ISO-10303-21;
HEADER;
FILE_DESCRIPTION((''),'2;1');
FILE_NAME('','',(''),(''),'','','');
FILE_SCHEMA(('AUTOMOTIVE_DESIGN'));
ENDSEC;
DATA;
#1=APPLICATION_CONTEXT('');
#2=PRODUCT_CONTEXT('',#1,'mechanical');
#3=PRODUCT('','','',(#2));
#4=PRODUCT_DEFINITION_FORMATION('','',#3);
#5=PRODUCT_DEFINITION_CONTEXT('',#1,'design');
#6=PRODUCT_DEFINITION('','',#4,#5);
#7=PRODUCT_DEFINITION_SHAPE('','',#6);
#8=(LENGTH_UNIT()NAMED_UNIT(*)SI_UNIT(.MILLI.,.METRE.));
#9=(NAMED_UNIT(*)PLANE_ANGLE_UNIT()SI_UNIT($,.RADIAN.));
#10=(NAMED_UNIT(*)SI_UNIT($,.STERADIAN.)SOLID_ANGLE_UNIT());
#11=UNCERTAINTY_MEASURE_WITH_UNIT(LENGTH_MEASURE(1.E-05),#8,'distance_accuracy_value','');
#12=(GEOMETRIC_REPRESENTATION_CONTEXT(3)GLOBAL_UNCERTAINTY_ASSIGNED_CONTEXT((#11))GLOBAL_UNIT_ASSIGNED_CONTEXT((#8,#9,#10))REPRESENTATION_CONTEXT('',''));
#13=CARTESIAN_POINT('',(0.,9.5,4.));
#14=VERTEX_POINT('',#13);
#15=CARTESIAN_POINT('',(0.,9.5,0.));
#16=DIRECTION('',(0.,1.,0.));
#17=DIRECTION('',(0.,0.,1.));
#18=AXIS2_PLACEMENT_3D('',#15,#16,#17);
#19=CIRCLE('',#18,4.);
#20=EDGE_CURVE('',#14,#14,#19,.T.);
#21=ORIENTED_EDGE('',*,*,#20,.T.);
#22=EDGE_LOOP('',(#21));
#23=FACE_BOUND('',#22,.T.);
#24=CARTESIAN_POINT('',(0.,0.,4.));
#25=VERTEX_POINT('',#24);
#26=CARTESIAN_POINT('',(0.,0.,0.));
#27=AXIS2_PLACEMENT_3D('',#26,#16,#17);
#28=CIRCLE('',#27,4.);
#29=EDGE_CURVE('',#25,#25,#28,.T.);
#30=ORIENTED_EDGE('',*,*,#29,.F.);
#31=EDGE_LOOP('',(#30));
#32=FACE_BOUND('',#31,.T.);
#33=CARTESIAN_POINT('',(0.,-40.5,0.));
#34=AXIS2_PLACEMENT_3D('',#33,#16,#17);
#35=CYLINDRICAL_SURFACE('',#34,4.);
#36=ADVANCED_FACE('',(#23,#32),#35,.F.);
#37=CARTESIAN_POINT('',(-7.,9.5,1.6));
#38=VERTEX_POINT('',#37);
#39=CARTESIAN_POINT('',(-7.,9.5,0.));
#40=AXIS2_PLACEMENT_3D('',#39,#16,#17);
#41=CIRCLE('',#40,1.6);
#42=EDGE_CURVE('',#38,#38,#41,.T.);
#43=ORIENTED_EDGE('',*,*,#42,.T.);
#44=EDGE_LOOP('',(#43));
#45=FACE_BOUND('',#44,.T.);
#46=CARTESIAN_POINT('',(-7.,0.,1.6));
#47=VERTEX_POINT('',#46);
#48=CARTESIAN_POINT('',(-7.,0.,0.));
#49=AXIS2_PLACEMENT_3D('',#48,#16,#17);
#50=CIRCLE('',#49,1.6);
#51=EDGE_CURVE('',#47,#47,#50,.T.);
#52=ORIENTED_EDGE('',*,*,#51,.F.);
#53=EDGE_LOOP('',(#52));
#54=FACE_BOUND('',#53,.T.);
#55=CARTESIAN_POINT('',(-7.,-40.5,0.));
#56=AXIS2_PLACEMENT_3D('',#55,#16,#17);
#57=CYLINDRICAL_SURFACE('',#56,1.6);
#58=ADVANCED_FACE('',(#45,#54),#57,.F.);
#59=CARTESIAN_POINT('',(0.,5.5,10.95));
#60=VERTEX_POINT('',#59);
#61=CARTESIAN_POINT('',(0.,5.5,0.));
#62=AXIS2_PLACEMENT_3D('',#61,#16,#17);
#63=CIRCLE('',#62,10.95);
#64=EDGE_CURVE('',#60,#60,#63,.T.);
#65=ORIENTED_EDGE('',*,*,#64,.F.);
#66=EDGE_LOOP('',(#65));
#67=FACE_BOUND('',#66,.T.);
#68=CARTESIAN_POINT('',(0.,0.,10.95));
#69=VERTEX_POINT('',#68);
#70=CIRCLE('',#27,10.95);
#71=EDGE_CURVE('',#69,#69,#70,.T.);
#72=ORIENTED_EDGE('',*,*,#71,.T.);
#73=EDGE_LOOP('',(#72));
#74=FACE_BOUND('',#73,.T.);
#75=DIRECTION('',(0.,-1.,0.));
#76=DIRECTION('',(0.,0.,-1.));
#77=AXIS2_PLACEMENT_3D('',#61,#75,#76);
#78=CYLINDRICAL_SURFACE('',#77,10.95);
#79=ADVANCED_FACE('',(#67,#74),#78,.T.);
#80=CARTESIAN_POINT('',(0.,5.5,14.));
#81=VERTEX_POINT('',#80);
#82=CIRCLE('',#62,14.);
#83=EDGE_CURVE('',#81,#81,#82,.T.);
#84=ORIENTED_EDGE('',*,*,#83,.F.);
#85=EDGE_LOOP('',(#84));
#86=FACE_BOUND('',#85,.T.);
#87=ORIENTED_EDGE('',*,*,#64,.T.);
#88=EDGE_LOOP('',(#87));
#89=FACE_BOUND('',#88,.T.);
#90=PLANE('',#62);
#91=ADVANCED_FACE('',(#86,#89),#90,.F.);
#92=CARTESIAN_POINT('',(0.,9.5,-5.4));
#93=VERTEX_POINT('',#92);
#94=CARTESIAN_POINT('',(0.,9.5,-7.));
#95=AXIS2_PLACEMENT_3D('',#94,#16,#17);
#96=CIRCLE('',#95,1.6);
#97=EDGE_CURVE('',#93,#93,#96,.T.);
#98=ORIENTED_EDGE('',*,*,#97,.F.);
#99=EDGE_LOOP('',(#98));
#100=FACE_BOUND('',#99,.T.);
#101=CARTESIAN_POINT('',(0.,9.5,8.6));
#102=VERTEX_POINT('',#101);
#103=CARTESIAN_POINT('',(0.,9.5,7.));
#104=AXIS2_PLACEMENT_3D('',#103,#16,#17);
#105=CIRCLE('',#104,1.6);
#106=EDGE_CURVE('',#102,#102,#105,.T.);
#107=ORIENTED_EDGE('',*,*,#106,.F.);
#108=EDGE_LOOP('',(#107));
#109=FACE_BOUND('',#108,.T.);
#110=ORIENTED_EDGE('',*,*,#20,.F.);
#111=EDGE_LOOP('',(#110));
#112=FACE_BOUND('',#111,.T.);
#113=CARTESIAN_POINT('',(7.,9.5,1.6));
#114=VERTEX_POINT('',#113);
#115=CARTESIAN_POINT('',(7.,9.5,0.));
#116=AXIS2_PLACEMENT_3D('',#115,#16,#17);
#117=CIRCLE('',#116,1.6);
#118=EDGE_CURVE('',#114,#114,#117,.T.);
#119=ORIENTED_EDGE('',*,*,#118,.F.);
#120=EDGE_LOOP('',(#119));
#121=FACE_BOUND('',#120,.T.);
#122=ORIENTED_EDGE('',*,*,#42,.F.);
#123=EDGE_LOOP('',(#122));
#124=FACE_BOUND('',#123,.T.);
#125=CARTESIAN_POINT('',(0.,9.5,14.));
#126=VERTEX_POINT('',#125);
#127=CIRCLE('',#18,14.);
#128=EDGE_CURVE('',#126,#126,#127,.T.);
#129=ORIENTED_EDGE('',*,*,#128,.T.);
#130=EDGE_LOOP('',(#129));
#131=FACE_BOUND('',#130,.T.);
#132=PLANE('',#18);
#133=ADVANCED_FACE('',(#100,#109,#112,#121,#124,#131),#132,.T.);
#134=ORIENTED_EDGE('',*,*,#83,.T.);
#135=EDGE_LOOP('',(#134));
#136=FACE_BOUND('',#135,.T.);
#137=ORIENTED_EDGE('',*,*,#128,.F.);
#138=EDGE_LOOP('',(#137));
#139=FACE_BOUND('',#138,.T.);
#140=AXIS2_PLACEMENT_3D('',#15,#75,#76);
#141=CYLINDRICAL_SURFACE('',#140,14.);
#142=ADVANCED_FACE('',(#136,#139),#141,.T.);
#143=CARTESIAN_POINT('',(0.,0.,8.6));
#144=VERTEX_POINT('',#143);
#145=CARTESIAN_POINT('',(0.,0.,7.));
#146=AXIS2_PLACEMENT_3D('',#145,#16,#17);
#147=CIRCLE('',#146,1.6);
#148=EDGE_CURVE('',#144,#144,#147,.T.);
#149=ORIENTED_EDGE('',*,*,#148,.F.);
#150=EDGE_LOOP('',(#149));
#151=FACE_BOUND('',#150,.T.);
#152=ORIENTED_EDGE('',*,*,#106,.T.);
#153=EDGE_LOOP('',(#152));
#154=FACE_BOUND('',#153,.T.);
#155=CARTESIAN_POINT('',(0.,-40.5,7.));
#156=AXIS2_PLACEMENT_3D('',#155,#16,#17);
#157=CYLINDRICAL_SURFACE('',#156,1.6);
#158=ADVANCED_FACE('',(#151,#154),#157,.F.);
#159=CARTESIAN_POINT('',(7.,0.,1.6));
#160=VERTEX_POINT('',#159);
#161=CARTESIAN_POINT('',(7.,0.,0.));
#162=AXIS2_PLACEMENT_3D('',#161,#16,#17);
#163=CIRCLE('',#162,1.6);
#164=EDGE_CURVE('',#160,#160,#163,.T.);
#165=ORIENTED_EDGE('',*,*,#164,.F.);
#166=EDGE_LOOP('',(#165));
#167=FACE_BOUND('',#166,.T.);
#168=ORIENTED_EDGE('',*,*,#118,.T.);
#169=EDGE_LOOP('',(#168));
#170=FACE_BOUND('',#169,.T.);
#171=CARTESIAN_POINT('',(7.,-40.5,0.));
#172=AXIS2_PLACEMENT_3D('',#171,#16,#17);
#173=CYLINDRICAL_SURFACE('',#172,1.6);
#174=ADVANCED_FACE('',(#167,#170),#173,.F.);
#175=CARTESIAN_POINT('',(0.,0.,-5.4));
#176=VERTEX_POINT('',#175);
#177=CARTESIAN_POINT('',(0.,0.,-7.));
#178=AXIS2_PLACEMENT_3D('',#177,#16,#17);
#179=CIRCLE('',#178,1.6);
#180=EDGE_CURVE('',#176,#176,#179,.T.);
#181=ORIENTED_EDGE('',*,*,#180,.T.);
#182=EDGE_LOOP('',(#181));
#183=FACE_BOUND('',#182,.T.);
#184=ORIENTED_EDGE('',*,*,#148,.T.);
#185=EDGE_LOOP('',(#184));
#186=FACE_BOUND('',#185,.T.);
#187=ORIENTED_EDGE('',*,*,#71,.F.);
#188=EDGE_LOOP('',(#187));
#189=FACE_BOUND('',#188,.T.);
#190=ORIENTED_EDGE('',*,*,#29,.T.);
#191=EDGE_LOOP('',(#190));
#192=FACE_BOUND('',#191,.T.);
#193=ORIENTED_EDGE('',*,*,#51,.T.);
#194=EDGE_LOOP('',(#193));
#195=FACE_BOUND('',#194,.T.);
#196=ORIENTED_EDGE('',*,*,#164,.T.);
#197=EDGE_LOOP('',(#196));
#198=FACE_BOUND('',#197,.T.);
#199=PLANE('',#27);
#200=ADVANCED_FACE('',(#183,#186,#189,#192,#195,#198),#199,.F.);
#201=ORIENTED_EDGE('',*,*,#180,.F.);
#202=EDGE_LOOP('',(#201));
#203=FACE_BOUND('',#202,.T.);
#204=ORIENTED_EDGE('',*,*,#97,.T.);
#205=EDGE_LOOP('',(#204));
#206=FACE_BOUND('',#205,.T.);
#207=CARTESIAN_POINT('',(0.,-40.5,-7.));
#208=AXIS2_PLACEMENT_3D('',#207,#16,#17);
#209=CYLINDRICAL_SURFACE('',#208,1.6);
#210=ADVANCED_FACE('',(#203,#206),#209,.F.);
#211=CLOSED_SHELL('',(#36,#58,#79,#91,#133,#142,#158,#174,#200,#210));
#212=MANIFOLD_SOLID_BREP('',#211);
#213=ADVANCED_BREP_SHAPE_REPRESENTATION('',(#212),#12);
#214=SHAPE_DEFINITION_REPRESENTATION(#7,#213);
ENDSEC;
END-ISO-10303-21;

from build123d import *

# Parameters (mm, degrees)
SKETCH_3_R          = 10.95
EXTRUDE_1_DEPTH     = 5.5
SKETCH_4_R          = 14
EXTRUDE_2_DEPTH     = 4
SKETCH_5_R          = 4
SKETCH_5_R_2        = 1.6
CUT_EXTRUDE_1_DEPTH = 50


with BuildPart() as part:
    # 草图3 → 凸台-拉伸1 (new body)
    with BuildSketch(Plane(origin=(0, 0, 0), x_dir=(1, 0, 0), z_dir=(0, 1, 0))):
        with Locations(Location((0, 0, 0), (0, 0, 270))):
            Circle(SKETCH_3_R)
    extrude(amount=EXTRUDE_1_DEPTH)

    # 草图4 → 凸台-拉伸2 (add)
    with BuildSketch(Plane(origin=(0, 5.5, 0), x_dir=(1, 0, 0), z_dir=(0, 1, 0))):
        with Locations(Location((0, 0, 0), (0, 0, 270))):
            Circle(SKETCH_4_R)
    extrude(amount=EXTRUDE_2_DEPTH)

    # 草图5 → 切除-拉伸1 (cut)
    with BuildSketch(Plane(origin=(0, 9.5, 0), x_dir=(1, 0, 0), z_dir=(0, 1, 0))):
        with Locations(Location((0, 0, 0), (0, 0, 270))):
            Circle(SKETCH_5_R)
        with Locations(Location((0, 7, 0), (0, 0, 270))):
            Circle(SKETCH_5_R_2)
        with Locations(Location((7, 0, 0), (0, 0, 270))):
            Circle(SKETCH_5_R_2)
        with Locations(Location((0, -7, 0), (0, 0, 270))):
            Circle(SKETCH_5_R_2)
        with Locations(Location((-7, 0, 0), (0, 0, 270))):
            Circle(SKETCH_5_R_2)
    extrude(amount=-CUT_EXTRUDE_1_DEPTH, mode=Mode.SUBTRACT)


solid = part.part
